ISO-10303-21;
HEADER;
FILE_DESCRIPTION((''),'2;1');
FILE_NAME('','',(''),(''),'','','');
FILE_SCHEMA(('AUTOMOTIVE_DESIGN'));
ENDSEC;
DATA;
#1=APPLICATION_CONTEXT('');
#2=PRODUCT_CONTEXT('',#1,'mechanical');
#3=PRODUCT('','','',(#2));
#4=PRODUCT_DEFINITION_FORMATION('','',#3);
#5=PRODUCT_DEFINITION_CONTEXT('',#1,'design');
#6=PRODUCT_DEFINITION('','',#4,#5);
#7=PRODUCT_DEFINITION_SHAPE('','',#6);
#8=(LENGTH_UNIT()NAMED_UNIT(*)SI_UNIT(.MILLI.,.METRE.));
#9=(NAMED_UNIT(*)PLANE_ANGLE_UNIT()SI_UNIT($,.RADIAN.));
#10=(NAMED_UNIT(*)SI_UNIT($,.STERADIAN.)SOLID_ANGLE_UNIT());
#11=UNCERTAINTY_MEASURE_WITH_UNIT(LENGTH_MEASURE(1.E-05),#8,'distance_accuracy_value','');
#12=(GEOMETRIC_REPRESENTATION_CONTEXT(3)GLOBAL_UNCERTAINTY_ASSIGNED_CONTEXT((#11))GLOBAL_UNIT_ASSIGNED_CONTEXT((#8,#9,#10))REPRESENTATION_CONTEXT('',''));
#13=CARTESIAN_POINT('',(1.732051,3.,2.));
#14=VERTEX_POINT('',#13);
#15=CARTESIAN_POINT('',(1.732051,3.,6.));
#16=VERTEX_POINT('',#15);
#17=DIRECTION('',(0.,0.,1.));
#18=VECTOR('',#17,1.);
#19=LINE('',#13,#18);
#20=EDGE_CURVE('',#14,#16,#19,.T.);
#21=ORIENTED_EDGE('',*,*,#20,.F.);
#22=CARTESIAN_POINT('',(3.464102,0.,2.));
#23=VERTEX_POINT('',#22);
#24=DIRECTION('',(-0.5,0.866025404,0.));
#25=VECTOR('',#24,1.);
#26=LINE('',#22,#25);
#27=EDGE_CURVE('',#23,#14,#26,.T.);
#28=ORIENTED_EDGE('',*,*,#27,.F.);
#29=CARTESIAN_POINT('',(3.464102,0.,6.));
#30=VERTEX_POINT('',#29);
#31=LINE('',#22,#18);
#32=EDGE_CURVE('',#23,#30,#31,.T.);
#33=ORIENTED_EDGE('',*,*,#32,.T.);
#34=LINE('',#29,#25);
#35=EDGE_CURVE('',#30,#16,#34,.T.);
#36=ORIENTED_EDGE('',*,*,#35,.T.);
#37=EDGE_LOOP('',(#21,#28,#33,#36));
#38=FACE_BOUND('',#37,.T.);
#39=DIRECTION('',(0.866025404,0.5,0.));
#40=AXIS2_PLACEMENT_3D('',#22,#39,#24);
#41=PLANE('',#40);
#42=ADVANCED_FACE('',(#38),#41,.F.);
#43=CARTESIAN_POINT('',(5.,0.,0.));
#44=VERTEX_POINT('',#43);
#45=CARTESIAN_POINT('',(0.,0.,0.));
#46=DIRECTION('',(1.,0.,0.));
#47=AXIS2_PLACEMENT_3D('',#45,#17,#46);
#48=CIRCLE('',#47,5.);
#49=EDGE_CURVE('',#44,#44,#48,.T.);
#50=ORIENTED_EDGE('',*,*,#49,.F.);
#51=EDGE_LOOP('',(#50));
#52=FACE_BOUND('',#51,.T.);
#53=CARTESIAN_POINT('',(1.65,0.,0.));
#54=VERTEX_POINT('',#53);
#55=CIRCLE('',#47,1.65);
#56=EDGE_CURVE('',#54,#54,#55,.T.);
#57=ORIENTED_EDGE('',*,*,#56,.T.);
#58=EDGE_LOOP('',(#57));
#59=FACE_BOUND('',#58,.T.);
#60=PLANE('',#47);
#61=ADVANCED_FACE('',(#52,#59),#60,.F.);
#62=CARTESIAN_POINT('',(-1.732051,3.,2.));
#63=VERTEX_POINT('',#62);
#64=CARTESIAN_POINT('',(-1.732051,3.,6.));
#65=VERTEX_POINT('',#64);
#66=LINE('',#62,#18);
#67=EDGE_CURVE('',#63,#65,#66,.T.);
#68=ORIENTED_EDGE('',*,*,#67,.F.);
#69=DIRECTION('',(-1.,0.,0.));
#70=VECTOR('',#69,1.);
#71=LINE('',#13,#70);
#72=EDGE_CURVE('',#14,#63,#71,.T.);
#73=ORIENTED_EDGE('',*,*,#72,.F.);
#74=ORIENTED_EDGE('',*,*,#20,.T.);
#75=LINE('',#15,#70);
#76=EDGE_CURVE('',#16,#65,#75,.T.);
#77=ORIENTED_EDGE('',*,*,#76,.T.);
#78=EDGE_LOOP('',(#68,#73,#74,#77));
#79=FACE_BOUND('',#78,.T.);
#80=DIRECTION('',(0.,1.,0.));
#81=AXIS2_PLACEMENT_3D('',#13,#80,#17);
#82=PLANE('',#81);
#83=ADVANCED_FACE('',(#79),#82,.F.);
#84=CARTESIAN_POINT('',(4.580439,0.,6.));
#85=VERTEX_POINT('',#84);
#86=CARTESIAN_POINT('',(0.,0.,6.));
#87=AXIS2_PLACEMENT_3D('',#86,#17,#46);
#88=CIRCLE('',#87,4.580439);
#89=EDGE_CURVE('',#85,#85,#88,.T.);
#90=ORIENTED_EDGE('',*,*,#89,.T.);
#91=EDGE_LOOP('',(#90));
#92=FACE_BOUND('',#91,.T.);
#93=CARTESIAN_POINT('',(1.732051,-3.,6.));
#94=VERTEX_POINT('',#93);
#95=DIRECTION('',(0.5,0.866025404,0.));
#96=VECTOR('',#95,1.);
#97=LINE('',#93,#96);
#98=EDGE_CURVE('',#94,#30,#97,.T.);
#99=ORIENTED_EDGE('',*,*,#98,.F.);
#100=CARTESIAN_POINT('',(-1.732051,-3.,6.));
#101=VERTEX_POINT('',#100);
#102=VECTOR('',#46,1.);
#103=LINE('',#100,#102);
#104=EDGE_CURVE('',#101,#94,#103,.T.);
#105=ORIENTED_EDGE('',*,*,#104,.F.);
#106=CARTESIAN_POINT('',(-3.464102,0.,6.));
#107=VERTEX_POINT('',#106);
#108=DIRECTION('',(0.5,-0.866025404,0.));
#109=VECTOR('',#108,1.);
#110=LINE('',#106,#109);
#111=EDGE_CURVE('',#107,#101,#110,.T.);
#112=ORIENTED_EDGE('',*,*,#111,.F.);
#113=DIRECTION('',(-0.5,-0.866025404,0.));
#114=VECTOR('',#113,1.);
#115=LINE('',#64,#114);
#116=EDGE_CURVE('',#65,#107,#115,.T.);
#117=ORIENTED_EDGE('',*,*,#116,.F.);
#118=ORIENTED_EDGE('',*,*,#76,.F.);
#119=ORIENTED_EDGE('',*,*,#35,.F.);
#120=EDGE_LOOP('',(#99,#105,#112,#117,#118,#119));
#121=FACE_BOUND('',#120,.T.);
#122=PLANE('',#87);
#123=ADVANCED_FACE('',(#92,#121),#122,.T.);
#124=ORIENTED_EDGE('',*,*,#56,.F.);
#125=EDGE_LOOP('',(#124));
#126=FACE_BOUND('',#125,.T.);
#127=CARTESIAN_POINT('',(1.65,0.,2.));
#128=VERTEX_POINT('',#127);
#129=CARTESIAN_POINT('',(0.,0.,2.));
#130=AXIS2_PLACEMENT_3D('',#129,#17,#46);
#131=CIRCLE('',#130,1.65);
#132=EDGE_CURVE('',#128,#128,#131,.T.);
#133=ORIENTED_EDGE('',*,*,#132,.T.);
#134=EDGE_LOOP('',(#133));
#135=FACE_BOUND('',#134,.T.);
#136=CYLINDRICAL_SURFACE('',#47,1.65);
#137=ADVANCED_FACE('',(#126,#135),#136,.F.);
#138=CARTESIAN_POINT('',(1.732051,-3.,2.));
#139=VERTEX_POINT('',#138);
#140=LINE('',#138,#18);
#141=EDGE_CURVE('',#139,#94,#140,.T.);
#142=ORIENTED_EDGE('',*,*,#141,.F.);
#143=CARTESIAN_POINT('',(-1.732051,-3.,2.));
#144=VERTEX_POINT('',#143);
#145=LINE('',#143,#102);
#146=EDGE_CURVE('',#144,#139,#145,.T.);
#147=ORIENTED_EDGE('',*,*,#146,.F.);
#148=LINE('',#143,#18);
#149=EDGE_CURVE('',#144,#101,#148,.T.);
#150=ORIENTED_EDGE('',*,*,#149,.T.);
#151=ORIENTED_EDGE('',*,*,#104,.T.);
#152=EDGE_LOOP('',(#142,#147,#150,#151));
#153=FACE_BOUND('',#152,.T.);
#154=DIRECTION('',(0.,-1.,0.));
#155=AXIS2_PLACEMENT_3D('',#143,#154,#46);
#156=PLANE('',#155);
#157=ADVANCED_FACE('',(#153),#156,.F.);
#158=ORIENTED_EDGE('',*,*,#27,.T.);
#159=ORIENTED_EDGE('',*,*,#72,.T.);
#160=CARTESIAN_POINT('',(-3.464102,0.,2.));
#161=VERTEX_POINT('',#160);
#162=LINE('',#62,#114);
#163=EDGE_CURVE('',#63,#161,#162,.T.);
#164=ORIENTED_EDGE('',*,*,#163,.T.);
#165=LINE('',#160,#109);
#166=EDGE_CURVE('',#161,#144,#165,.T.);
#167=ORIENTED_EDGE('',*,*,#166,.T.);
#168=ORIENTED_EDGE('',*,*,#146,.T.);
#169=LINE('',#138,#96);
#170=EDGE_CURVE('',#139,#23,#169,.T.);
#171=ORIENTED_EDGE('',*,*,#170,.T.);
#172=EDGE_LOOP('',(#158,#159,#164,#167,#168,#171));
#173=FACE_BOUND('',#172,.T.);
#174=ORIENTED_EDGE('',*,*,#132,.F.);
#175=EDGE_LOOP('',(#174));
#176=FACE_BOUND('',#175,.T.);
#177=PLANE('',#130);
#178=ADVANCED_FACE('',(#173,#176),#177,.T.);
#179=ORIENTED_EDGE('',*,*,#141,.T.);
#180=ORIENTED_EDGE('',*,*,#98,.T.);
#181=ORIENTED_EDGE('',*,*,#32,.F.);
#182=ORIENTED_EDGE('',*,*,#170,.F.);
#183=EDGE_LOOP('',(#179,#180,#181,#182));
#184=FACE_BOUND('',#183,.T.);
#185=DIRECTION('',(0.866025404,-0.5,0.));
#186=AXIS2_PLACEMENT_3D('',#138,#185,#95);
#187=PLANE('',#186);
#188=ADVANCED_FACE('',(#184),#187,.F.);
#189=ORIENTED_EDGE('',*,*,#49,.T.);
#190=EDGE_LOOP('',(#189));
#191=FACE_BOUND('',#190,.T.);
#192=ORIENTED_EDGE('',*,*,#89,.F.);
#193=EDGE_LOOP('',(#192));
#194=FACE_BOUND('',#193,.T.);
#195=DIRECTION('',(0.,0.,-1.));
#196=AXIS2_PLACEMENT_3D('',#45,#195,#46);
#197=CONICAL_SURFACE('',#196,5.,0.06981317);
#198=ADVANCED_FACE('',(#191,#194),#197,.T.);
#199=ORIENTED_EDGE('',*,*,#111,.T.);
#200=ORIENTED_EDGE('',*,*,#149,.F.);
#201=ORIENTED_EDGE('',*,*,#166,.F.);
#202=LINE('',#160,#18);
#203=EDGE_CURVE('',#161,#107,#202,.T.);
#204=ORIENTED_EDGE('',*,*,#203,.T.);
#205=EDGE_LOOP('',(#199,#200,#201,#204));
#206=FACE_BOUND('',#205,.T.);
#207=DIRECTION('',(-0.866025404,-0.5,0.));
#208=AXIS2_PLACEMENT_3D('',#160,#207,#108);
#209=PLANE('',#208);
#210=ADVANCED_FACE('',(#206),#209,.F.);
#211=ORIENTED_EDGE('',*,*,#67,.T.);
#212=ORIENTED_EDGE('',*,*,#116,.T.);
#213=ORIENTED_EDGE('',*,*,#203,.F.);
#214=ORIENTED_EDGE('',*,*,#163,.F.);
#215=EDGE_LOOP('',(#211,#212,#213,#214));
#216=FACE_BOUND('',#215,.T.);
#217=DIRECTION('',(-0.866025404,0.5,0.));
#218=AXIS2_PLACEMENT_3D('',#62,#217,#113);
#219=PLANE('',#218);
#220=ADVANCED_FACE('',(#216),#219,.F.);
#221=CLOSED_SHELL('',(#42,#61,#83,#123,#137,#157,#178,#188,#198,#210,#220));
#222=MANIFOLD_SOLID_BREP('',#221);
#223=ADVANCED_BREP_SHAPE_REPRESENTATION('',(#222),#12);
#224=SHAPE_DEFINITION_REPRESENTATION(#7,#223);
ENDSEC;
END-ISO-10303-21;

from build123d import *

# Parameters (mm, degrees)
SKETCH1_R           = 5
BOSS_EXTRUDE1_DEPTH = 6
BOSS_EXTRUDE1_TAPER = 4
CUT_EXTRUDE1_DEPTH  = 4
SKETCH4_R           = 1.65
CUT_EXTRUDE2_DEPTH  = 9.124038405


with BuildPart() as part:
    # Sketch1 → Boss-Extrude1 (new body)
    with BuildSketch(Plane.XY):
        Circle(SKETCH1_R)
    extrude(amount=BOSS_EXTRUDE1_DEPTH, taper=BOSS_EXTRUDE1_TAPER)

    # Sketch2 → Cut-Extrude1 (cut)
    with BuildSketch(Plane.XY.offset(6)):
        Polygon((1.732050808, 3), (-1.732050808, 3), (-3.464101615, 0), (-1.732050808, -3), (1.732050808, -3), (3.464101615, 0), align=None)
    extrude(amount=-CUT_EXTRUDE1_DEPTH, mode=Mode.SUBTRACT)

    # Sketch4 → Cut-Extrude2 (cut, through all)
    with BuildSketch(Plane.XY.offset(2)):
        Circle(SKETCH4_R)
    extrude(amount=-CUT_EXTRUDE2_DEPTH, mode=Mode.SUBTRACT)


solid = part.part
